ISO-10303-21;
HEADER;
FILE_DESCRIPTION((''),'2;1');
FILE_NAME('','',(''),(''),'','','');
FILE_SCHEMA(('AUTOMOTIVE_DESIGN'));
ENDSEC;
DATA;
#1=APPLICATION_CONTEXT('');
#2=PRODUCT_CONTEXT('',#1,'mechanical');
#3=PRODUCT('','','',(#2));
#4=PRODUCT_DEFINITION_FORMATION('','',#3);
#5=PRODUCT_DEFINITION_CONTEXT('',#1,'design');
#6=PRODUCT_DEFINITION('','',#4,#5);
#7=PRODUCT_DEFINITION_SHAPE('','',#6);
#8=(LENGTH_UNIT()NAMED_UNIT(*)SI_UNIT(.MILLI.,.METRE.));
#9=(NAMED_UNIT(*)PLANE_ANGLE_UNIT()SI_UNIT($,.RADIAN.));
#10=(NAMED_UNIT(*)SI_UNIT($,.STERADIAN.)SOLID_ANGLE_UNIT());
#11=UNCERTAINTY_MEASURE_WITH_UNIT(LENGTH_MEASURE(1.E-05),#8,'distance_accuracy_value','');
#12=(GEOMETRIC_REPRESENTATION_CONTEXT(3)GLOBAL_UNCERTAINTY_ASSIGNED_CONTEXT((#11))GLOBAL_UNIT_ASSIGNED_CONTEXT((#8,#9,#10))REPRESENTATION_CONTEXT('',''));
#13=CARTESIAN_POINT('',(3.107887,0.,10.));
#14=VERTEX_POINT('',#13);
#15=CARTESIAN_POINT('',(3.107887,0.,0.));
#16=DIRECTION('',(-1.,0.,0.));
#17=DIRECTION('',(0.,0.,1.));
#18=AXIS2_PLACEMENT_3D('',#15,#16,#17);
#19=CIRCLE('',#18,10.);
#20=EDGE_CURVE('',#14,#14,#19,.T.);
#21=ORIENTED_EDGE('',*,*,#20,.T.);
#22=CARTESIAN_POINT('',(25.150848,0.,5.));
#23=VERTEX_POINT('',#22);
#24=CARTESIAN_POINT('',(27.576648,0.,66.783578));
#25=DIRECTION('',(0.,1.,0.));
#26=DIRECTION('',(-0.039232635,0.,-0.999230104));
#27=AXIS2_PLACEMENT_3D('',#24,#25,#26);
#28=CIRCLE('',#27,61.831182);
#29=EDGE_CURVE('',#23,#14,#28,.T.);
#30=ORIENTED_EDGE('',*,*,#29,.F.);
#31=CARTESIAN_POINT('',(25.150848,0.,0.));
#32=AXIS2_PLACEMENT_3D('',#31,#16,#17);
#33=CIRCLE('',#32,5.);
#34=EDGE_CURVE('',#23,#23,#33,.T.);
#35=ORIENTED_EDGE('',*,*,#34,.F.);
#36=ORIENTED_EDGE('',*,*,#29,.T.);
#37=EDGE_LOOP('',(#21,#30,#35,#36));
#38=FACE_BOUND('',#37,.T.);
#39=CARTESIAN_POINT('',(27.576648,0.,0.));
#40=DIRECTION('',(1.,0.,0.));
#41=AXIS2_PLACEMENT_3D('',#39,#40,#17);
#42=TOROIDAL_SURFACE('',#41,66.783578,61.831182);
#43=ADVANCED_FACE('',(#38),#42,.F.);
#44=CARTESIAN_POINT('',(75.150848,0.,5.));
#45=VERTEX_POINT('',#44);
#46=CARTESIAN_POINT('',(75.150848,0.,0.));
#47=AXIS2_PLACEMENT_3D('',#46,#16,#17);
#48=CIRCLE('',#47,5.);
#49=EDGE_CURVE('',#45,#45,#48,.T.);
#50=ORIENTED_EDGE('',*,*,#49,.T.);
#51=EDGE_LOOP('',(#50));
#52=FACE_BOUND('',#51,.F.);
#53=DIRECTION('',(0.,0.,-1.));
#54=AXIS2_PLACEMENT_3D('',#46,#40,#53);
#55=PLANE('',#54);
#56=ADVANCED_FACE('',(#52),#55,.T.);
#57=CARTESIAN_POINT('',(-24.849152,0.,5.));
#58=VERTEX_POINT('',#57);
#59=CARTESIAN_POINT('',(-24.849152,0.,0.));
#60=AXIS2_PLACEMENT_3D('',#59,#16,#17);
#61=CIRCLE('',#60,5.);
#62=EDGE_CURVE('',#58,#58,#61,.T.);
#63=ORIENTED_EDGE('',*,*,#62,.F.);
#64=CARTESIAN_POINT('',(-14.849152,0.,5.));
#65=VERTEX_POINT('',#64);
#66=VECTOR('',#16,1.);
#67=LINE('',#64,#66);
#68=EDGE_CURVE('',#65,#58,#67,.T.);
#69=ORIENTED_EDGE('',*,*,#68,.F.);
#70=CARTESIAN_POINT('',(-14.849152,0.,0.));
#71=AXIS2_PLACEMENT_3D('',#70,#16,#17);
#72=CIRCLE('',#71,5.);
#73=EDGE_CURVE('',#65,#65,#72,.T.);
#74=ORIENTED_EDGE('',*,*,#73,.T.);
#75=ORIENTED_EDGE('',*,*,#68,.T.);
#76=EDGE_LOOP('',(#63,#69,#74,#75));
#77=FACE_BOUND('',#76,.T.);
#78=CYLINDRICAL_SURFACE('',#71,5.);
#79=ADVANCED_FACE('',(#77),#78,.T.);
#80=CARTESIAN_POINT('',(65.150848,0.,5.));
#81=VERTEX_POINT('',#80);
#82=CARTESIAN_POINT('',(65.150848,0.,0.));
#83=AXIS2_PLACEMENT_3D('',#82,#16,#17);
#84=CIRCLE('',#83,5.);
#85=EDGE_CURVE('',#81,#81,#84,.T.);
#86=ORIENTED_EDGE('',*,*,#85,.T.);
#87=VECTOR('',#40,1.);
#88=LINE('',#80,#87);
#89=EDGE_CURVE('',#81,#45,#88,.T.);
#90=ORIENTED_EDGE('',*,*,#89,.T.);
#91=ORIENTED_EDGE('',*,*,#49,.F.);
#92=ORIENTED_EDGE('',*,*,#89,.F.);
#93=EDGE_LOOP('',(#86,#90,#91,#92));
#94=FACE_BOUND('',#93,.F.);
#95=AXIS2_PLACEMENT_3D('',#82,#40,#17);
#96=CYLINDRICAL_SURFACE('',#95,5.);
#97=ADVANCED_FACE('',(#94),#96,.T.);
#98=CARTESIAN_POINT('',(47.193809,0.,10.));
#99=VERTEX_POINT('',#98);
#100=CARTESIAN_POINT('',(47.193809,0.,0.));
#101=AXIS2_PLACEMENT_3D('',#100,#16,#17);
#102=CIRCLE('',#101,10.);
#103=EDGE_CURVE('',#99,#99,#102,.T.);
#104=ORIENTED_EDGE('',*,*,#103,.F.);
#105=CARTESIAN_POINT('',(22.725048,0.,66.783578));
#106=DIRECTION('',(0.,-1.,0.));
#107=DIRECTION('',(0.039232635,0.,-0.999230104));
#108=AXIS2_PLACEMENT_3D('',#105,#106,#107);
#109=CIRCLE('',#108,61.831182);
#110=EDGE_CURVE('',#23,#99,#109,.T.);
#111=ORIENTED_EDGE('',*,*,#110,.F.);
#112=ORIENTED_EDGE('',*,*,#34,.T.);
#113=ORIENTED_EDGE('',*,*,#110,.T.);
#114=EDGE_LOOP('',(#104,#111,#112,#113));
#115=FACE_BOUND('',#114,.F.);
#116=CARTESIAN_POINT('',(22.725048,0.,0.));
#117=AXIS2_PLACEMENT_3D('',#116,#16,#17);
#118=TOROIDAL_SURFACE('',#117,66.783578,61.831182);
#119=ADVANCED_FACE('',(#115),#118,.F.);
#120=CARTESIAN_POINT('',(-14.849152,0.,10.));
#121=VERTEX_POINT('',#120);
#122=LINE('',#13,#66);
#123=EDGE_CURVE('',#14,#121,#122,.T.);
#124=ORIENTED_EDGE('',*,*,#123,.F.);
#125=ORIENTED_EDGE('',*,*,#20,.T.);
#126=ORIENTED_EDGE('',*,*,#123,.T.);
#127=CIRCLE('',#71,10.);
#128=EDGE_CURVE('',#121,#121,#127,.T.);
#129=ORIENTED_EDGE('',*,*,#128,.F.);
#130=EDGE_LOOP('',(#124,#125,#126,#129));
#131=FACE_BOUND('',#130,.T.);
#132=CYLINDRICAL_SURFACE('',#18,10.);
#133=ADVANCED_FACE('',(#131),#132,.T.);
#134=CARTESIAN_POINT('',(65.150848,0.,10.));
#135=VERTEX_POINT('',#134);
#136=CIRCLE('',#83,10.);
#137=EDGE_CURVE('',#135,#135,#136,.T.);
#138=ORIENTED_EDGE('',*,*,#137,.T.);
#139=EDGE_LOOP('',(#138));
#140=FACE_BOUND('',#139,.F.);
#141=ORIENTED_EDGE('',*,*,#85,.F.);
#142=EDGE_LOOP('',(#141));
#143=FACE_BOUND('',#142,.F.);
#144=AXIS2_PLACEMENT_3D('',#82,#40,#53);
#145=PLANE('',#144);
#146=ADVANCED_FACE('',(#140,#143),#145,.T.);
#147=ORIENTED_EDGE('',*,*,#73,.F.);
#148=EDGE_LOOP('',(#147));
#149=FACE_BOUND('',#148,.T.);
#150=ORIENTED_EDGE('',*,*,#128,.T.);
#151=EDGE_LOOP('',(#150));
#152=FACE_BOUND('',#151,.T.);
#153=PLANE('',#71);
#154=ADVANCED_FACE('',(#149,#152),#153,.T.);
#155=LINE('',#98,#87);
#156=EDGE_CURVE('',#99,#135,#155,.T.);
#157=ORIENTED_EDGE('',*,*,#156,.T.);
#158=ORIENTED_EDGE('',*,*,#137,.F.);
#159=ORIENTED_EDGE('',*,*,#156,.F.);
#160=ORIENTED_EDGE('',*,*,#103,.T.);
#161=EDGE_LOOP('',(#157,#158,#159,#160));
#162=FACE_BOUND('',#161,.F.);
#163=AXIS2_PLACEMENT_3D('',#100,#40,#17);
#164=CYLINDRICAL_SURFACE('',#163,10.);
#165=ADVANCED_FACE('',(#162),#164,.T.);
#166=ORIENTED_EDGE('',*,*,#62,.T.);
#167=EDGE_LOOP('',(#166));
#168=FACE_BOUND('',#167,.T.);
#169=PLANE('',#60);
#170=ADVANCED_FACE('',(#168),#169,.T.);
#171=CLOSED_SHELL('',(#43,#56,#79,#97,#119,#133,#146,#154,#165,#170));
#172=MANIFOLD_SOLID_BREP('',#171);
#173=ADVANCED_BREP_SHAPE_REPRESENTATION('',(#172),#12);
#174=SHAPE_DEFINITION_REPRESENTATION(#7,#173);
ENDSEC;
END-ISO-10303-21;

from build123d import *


with BuildPart() as f1:
    # F0 (on Front) → F1 (revolve)
    with BuildSketch(Plane.XZ):
        with BuildLine():
            Line((-24.8491521925, 5), (-24.8491521925, 0))
            Line((-24.8491521925, 0), (25.1508478075, 0))
            Line((25.1508478075, 0), (25.1508478075, 5))
            ThreePointArc((25.1508478075, 5), (13.8989522224, 6.484194455), (3.1078865286, 10))
            Line((3.1078865286, 10), (-14.8491521925, 10))
            Line((-14.8491521925, 10), (-14.8491521925, 5))
            Line((-14.8491521925, 5), (-24.8491521925, 5))
        make_face()
    revolve(axis=Axis((0.1508478075, 0, 0), (-1, 0, 0)))

    # F2: F1 across face


with BuildPart() as f1_1:
    add(f1.part)
    add(f1.part.mirror(Plane.YZ.offset(25.1508478075)))


solid = f1_1.part
